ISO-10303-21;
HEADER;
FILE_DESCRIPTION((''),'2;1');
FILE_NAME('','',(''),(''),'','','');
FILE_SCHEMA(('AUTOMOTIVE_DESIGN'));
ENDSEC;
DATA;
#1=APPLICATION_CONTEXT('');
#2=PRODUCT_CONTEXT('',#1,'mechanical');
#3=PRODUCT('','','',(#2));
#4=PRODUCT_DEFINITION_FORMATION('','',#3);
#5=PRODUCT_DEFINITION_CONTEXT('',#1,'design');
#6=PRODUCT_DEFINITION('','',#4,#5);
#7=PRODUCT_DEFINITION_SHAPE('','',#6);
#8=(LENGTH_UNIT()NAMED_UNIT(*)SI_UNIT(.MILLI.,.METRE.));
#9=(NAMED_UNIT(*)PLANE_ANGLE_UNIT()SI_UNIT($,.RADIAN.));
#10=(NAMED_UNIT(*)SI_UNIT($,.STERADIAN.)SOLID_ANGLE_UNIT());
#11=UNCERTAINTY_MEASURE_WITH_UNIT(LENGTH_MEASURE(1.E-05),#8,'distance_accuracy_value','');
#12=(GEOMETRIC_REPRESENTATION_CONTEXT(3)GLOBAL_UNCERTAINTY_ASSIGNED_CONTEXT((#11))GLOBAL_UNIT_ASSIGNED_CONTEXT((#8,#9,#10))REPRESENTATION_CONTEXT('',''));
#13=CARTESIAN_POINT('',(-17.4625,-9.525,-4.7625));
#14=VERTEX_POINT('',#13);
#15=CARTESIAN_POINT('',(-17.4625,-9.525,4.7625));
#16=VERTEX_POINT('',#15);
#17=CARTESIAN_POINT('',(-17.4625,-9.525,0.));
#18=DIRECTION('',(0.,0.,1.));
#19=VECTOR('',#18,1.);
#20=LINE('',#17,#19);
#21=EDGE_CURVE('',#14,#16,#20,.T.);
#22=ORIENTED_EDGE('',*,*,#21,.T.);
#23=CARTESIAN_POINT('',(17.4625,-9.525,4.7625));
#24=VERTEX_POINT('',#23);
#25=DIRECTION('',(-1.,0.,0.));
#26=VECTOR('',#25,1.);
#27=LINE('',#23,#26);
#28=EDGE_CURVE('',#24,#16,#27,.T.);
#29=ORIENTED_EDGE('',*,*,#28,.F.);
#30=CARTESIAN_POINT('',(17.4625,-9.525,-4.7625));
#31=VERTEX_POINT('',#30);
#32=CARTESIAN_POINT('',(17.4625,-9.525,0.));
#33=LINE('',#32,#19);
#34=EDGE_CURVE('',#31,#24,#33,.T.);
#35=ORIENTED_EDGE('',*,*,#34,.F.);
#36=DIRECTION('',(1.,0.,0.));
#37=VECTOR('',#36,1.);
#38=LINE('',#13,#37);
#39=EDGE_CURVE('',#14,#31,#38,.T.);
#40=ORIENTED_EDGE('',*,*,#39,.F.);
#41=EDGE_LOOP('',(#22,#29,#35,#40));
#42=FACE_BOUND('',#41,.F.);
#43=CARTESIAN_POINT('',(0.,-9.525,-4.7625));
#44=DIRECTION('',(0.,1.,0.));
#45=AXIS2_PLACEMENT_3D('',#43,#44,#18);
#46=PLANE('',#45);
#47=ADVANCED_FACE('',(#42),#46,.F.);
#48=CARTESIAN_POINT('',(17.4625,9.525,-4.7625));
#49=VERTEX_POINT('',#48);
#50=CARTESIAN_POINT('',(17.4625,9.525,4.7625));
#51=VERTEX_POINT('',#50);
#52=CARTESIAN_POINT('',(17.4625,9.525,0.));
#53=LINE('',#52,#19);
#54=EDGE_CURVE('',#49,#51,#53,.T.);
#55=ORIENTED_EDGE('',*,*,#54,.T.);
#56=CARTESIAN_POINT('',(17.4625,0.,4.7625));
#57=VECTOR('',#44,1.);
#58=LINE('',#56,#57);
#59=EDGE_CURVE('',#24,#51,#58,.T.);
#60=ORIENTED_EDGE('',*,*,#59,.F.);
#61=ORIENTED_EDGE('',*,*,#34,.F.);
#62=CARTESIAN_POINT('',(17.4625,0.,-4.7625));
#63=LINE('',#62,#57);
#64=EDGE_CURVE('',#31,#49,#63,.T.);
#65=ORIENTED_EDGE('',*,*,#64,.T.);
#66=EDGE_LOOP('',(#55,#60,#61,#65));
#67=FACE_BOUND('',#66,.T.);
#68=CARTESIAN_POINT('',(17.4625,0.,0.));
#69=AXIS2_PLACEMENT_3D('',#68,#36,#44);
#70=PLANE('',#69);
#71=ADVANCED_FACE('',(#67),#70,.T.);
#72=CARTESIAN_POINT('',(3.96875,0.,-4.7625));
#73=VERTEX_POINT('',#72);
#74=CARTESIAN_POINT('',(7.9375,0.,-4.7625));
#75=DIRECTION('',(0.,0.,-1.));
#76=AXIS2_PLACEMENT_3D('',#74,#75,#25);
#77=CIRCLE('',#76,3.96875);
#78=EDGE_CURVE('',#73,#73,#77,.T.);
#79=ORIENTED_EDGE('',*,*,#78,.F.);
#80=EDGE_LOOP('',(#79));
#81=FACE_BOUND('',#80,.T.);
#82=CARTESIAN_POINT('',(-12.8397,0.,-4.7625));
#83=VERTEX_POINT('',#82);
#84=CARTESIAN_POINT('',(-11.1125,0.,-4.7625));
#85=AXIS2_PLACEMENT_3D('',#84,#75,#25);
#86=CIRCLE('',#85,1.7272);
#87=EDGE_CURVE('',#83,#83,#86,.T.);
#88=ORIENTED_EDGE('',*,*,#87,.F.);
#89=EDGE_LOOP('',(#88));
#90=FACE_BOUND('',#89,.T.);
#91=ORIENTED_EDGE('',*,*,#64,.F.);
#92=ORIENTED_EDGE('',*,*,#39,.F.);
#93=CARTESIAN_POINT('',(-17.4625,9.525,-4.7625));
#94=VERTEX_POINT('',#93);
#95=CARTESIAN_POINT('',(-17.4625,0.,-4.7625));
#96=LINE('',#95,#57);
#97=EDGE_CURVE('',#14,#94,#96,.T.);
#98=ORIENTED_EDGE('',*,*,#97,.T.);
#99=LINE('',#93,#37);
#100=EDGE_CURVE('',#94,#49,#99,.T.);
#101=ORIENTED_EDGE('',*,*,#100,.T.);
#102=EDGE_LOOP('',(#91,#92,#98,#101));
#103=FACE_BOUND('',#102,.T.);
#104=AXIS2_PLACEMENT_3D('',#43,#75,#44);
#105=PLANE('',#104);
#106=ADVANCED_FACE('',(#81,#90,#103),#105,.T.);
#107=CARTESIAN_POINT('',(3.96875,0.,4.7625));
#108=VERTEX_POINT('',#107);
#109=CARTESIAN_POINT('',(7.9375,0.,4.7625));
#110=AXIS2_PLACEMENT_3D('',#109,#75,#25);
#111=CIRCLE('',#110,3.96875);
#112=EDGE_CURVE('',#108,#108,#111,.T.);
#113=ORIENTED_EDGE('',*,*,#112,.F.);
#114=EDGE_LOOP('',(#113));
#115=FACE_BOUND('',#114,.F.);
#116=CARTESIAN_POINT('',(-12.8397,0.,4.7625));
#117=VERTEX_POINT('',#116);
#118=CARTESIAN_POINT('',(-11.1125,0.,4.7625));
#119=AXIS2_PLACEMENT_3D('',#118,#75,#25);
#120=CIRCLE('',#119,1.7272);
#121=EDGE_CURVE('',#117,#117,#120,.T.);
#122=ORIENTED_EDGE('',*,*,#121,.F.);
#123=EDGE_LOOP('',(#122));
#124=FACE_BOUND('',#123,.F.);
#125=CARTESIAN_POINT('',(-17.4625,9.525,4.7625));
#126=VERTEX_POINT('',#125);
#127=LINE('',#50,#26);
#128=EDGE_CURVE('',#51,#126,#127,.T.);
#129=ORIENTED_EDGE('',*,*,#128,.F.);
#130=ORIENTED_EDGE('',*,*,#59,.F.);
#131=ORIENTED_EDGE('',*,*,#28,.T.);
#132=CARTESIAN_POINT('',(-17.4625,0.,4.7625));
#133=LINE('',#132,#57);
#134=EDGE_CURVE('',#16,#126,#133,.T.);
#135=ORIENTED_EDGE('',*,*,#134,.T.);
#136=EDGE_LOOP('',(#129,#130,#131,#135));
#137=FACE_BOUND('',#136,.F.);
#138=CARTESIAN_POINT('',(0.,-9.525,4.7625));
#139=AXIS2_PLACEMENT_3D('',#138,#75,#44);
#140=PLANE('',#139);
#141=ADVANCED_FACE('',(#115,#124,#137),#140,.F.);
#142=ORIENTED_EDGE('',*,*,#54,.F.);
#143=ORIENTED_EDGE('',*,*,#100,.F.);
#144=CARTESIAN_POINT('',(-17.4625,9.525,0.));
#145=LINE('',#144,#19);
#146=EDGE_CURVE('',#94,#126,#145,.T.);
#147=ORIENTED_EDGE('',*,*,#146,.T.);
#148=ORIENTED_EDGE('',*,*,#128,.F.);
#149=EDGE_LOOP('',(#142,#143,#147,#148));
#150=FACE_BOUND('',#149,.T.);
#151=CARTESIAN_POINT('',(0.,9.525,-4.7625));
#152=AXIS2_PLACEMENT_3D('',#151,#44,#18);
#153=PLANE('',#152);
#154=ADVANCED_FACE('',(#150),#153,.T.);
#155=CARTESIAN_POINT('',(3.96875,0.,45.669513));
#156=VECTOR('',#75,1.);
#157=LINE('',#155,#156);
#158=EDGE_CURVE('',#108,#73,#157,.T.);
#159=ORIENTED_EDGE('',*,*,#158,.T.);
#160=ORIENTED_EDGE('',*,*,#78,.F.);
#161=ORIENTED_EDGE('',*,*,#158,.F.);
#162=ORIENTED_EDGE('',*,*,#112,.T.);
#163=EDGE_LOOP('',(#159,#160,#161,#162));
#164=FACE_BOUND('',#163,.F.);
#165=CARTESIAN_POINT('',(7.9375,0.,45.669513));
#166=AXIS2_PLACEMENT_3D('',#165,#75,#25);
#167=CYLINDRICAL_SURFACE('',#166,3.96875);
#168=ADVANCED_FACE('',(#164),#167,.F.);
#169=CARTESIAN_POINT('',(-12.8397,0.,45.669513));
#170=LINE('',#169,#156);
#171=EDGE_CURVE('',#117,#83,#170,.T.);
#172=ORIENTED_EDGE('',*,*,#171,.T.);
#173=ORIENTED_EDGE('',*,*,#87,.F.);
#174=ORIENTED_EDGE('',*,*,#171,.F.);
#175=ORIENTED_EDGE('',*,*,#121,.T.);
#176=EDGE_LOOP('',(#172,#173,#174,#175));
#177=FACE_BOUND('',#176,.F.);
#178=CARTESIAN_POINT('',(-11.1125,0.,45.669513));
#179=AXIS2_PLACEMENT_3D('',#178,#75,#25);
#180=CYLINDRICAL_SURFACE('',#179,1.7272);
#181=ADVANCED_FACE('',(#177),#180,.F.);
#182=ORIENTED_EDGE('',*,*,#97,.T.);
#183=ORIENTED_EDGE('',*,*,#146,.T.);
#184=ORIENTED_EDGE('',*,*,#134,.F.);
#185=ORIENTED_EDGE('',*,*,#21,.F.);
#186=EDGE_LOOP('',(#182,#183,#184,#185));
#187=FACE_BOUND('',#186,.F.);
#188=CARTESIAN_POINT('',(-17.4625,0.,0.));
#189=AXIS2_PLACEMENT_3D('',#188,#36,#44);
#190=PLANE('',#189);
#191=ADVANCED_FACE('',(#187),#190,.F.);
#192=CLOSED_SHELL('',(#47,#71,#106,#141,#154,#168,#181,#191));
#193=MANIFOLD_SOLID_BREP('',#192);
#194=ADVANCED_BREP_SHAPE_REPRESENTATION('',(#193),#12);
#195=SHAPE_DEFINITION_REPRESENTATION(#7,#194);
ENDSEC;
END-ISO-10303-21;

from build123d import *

# Parameters (mm, degrees)
F0_W     = 19.05
F0_H     = 9.525
F1_DEPTH = 17.4625
F3_D     = 7.9375
F5_D     = 3.4544


with BuildPart() as f1:
    # F0 (on Right) → F1 (new body, symmetric)
    with BuildSketch(Plane.YZ):
        Rectangle(F0_W, F0_H)
    extrude(amount=F1_DEPTH, both=True)

    # F3 (through all)
    with Locations(Plane.XY.offset(4.7625)):
        with Locations((7.9375, 0)):
            Hole(F3_D / 2)

    # F5 (through all)
    with Locations(Plane.XY.offset(4.7625)):
        with Locations((-11.1125, 0)):
            Hole(F5_D / 2)


solid = f1.part
